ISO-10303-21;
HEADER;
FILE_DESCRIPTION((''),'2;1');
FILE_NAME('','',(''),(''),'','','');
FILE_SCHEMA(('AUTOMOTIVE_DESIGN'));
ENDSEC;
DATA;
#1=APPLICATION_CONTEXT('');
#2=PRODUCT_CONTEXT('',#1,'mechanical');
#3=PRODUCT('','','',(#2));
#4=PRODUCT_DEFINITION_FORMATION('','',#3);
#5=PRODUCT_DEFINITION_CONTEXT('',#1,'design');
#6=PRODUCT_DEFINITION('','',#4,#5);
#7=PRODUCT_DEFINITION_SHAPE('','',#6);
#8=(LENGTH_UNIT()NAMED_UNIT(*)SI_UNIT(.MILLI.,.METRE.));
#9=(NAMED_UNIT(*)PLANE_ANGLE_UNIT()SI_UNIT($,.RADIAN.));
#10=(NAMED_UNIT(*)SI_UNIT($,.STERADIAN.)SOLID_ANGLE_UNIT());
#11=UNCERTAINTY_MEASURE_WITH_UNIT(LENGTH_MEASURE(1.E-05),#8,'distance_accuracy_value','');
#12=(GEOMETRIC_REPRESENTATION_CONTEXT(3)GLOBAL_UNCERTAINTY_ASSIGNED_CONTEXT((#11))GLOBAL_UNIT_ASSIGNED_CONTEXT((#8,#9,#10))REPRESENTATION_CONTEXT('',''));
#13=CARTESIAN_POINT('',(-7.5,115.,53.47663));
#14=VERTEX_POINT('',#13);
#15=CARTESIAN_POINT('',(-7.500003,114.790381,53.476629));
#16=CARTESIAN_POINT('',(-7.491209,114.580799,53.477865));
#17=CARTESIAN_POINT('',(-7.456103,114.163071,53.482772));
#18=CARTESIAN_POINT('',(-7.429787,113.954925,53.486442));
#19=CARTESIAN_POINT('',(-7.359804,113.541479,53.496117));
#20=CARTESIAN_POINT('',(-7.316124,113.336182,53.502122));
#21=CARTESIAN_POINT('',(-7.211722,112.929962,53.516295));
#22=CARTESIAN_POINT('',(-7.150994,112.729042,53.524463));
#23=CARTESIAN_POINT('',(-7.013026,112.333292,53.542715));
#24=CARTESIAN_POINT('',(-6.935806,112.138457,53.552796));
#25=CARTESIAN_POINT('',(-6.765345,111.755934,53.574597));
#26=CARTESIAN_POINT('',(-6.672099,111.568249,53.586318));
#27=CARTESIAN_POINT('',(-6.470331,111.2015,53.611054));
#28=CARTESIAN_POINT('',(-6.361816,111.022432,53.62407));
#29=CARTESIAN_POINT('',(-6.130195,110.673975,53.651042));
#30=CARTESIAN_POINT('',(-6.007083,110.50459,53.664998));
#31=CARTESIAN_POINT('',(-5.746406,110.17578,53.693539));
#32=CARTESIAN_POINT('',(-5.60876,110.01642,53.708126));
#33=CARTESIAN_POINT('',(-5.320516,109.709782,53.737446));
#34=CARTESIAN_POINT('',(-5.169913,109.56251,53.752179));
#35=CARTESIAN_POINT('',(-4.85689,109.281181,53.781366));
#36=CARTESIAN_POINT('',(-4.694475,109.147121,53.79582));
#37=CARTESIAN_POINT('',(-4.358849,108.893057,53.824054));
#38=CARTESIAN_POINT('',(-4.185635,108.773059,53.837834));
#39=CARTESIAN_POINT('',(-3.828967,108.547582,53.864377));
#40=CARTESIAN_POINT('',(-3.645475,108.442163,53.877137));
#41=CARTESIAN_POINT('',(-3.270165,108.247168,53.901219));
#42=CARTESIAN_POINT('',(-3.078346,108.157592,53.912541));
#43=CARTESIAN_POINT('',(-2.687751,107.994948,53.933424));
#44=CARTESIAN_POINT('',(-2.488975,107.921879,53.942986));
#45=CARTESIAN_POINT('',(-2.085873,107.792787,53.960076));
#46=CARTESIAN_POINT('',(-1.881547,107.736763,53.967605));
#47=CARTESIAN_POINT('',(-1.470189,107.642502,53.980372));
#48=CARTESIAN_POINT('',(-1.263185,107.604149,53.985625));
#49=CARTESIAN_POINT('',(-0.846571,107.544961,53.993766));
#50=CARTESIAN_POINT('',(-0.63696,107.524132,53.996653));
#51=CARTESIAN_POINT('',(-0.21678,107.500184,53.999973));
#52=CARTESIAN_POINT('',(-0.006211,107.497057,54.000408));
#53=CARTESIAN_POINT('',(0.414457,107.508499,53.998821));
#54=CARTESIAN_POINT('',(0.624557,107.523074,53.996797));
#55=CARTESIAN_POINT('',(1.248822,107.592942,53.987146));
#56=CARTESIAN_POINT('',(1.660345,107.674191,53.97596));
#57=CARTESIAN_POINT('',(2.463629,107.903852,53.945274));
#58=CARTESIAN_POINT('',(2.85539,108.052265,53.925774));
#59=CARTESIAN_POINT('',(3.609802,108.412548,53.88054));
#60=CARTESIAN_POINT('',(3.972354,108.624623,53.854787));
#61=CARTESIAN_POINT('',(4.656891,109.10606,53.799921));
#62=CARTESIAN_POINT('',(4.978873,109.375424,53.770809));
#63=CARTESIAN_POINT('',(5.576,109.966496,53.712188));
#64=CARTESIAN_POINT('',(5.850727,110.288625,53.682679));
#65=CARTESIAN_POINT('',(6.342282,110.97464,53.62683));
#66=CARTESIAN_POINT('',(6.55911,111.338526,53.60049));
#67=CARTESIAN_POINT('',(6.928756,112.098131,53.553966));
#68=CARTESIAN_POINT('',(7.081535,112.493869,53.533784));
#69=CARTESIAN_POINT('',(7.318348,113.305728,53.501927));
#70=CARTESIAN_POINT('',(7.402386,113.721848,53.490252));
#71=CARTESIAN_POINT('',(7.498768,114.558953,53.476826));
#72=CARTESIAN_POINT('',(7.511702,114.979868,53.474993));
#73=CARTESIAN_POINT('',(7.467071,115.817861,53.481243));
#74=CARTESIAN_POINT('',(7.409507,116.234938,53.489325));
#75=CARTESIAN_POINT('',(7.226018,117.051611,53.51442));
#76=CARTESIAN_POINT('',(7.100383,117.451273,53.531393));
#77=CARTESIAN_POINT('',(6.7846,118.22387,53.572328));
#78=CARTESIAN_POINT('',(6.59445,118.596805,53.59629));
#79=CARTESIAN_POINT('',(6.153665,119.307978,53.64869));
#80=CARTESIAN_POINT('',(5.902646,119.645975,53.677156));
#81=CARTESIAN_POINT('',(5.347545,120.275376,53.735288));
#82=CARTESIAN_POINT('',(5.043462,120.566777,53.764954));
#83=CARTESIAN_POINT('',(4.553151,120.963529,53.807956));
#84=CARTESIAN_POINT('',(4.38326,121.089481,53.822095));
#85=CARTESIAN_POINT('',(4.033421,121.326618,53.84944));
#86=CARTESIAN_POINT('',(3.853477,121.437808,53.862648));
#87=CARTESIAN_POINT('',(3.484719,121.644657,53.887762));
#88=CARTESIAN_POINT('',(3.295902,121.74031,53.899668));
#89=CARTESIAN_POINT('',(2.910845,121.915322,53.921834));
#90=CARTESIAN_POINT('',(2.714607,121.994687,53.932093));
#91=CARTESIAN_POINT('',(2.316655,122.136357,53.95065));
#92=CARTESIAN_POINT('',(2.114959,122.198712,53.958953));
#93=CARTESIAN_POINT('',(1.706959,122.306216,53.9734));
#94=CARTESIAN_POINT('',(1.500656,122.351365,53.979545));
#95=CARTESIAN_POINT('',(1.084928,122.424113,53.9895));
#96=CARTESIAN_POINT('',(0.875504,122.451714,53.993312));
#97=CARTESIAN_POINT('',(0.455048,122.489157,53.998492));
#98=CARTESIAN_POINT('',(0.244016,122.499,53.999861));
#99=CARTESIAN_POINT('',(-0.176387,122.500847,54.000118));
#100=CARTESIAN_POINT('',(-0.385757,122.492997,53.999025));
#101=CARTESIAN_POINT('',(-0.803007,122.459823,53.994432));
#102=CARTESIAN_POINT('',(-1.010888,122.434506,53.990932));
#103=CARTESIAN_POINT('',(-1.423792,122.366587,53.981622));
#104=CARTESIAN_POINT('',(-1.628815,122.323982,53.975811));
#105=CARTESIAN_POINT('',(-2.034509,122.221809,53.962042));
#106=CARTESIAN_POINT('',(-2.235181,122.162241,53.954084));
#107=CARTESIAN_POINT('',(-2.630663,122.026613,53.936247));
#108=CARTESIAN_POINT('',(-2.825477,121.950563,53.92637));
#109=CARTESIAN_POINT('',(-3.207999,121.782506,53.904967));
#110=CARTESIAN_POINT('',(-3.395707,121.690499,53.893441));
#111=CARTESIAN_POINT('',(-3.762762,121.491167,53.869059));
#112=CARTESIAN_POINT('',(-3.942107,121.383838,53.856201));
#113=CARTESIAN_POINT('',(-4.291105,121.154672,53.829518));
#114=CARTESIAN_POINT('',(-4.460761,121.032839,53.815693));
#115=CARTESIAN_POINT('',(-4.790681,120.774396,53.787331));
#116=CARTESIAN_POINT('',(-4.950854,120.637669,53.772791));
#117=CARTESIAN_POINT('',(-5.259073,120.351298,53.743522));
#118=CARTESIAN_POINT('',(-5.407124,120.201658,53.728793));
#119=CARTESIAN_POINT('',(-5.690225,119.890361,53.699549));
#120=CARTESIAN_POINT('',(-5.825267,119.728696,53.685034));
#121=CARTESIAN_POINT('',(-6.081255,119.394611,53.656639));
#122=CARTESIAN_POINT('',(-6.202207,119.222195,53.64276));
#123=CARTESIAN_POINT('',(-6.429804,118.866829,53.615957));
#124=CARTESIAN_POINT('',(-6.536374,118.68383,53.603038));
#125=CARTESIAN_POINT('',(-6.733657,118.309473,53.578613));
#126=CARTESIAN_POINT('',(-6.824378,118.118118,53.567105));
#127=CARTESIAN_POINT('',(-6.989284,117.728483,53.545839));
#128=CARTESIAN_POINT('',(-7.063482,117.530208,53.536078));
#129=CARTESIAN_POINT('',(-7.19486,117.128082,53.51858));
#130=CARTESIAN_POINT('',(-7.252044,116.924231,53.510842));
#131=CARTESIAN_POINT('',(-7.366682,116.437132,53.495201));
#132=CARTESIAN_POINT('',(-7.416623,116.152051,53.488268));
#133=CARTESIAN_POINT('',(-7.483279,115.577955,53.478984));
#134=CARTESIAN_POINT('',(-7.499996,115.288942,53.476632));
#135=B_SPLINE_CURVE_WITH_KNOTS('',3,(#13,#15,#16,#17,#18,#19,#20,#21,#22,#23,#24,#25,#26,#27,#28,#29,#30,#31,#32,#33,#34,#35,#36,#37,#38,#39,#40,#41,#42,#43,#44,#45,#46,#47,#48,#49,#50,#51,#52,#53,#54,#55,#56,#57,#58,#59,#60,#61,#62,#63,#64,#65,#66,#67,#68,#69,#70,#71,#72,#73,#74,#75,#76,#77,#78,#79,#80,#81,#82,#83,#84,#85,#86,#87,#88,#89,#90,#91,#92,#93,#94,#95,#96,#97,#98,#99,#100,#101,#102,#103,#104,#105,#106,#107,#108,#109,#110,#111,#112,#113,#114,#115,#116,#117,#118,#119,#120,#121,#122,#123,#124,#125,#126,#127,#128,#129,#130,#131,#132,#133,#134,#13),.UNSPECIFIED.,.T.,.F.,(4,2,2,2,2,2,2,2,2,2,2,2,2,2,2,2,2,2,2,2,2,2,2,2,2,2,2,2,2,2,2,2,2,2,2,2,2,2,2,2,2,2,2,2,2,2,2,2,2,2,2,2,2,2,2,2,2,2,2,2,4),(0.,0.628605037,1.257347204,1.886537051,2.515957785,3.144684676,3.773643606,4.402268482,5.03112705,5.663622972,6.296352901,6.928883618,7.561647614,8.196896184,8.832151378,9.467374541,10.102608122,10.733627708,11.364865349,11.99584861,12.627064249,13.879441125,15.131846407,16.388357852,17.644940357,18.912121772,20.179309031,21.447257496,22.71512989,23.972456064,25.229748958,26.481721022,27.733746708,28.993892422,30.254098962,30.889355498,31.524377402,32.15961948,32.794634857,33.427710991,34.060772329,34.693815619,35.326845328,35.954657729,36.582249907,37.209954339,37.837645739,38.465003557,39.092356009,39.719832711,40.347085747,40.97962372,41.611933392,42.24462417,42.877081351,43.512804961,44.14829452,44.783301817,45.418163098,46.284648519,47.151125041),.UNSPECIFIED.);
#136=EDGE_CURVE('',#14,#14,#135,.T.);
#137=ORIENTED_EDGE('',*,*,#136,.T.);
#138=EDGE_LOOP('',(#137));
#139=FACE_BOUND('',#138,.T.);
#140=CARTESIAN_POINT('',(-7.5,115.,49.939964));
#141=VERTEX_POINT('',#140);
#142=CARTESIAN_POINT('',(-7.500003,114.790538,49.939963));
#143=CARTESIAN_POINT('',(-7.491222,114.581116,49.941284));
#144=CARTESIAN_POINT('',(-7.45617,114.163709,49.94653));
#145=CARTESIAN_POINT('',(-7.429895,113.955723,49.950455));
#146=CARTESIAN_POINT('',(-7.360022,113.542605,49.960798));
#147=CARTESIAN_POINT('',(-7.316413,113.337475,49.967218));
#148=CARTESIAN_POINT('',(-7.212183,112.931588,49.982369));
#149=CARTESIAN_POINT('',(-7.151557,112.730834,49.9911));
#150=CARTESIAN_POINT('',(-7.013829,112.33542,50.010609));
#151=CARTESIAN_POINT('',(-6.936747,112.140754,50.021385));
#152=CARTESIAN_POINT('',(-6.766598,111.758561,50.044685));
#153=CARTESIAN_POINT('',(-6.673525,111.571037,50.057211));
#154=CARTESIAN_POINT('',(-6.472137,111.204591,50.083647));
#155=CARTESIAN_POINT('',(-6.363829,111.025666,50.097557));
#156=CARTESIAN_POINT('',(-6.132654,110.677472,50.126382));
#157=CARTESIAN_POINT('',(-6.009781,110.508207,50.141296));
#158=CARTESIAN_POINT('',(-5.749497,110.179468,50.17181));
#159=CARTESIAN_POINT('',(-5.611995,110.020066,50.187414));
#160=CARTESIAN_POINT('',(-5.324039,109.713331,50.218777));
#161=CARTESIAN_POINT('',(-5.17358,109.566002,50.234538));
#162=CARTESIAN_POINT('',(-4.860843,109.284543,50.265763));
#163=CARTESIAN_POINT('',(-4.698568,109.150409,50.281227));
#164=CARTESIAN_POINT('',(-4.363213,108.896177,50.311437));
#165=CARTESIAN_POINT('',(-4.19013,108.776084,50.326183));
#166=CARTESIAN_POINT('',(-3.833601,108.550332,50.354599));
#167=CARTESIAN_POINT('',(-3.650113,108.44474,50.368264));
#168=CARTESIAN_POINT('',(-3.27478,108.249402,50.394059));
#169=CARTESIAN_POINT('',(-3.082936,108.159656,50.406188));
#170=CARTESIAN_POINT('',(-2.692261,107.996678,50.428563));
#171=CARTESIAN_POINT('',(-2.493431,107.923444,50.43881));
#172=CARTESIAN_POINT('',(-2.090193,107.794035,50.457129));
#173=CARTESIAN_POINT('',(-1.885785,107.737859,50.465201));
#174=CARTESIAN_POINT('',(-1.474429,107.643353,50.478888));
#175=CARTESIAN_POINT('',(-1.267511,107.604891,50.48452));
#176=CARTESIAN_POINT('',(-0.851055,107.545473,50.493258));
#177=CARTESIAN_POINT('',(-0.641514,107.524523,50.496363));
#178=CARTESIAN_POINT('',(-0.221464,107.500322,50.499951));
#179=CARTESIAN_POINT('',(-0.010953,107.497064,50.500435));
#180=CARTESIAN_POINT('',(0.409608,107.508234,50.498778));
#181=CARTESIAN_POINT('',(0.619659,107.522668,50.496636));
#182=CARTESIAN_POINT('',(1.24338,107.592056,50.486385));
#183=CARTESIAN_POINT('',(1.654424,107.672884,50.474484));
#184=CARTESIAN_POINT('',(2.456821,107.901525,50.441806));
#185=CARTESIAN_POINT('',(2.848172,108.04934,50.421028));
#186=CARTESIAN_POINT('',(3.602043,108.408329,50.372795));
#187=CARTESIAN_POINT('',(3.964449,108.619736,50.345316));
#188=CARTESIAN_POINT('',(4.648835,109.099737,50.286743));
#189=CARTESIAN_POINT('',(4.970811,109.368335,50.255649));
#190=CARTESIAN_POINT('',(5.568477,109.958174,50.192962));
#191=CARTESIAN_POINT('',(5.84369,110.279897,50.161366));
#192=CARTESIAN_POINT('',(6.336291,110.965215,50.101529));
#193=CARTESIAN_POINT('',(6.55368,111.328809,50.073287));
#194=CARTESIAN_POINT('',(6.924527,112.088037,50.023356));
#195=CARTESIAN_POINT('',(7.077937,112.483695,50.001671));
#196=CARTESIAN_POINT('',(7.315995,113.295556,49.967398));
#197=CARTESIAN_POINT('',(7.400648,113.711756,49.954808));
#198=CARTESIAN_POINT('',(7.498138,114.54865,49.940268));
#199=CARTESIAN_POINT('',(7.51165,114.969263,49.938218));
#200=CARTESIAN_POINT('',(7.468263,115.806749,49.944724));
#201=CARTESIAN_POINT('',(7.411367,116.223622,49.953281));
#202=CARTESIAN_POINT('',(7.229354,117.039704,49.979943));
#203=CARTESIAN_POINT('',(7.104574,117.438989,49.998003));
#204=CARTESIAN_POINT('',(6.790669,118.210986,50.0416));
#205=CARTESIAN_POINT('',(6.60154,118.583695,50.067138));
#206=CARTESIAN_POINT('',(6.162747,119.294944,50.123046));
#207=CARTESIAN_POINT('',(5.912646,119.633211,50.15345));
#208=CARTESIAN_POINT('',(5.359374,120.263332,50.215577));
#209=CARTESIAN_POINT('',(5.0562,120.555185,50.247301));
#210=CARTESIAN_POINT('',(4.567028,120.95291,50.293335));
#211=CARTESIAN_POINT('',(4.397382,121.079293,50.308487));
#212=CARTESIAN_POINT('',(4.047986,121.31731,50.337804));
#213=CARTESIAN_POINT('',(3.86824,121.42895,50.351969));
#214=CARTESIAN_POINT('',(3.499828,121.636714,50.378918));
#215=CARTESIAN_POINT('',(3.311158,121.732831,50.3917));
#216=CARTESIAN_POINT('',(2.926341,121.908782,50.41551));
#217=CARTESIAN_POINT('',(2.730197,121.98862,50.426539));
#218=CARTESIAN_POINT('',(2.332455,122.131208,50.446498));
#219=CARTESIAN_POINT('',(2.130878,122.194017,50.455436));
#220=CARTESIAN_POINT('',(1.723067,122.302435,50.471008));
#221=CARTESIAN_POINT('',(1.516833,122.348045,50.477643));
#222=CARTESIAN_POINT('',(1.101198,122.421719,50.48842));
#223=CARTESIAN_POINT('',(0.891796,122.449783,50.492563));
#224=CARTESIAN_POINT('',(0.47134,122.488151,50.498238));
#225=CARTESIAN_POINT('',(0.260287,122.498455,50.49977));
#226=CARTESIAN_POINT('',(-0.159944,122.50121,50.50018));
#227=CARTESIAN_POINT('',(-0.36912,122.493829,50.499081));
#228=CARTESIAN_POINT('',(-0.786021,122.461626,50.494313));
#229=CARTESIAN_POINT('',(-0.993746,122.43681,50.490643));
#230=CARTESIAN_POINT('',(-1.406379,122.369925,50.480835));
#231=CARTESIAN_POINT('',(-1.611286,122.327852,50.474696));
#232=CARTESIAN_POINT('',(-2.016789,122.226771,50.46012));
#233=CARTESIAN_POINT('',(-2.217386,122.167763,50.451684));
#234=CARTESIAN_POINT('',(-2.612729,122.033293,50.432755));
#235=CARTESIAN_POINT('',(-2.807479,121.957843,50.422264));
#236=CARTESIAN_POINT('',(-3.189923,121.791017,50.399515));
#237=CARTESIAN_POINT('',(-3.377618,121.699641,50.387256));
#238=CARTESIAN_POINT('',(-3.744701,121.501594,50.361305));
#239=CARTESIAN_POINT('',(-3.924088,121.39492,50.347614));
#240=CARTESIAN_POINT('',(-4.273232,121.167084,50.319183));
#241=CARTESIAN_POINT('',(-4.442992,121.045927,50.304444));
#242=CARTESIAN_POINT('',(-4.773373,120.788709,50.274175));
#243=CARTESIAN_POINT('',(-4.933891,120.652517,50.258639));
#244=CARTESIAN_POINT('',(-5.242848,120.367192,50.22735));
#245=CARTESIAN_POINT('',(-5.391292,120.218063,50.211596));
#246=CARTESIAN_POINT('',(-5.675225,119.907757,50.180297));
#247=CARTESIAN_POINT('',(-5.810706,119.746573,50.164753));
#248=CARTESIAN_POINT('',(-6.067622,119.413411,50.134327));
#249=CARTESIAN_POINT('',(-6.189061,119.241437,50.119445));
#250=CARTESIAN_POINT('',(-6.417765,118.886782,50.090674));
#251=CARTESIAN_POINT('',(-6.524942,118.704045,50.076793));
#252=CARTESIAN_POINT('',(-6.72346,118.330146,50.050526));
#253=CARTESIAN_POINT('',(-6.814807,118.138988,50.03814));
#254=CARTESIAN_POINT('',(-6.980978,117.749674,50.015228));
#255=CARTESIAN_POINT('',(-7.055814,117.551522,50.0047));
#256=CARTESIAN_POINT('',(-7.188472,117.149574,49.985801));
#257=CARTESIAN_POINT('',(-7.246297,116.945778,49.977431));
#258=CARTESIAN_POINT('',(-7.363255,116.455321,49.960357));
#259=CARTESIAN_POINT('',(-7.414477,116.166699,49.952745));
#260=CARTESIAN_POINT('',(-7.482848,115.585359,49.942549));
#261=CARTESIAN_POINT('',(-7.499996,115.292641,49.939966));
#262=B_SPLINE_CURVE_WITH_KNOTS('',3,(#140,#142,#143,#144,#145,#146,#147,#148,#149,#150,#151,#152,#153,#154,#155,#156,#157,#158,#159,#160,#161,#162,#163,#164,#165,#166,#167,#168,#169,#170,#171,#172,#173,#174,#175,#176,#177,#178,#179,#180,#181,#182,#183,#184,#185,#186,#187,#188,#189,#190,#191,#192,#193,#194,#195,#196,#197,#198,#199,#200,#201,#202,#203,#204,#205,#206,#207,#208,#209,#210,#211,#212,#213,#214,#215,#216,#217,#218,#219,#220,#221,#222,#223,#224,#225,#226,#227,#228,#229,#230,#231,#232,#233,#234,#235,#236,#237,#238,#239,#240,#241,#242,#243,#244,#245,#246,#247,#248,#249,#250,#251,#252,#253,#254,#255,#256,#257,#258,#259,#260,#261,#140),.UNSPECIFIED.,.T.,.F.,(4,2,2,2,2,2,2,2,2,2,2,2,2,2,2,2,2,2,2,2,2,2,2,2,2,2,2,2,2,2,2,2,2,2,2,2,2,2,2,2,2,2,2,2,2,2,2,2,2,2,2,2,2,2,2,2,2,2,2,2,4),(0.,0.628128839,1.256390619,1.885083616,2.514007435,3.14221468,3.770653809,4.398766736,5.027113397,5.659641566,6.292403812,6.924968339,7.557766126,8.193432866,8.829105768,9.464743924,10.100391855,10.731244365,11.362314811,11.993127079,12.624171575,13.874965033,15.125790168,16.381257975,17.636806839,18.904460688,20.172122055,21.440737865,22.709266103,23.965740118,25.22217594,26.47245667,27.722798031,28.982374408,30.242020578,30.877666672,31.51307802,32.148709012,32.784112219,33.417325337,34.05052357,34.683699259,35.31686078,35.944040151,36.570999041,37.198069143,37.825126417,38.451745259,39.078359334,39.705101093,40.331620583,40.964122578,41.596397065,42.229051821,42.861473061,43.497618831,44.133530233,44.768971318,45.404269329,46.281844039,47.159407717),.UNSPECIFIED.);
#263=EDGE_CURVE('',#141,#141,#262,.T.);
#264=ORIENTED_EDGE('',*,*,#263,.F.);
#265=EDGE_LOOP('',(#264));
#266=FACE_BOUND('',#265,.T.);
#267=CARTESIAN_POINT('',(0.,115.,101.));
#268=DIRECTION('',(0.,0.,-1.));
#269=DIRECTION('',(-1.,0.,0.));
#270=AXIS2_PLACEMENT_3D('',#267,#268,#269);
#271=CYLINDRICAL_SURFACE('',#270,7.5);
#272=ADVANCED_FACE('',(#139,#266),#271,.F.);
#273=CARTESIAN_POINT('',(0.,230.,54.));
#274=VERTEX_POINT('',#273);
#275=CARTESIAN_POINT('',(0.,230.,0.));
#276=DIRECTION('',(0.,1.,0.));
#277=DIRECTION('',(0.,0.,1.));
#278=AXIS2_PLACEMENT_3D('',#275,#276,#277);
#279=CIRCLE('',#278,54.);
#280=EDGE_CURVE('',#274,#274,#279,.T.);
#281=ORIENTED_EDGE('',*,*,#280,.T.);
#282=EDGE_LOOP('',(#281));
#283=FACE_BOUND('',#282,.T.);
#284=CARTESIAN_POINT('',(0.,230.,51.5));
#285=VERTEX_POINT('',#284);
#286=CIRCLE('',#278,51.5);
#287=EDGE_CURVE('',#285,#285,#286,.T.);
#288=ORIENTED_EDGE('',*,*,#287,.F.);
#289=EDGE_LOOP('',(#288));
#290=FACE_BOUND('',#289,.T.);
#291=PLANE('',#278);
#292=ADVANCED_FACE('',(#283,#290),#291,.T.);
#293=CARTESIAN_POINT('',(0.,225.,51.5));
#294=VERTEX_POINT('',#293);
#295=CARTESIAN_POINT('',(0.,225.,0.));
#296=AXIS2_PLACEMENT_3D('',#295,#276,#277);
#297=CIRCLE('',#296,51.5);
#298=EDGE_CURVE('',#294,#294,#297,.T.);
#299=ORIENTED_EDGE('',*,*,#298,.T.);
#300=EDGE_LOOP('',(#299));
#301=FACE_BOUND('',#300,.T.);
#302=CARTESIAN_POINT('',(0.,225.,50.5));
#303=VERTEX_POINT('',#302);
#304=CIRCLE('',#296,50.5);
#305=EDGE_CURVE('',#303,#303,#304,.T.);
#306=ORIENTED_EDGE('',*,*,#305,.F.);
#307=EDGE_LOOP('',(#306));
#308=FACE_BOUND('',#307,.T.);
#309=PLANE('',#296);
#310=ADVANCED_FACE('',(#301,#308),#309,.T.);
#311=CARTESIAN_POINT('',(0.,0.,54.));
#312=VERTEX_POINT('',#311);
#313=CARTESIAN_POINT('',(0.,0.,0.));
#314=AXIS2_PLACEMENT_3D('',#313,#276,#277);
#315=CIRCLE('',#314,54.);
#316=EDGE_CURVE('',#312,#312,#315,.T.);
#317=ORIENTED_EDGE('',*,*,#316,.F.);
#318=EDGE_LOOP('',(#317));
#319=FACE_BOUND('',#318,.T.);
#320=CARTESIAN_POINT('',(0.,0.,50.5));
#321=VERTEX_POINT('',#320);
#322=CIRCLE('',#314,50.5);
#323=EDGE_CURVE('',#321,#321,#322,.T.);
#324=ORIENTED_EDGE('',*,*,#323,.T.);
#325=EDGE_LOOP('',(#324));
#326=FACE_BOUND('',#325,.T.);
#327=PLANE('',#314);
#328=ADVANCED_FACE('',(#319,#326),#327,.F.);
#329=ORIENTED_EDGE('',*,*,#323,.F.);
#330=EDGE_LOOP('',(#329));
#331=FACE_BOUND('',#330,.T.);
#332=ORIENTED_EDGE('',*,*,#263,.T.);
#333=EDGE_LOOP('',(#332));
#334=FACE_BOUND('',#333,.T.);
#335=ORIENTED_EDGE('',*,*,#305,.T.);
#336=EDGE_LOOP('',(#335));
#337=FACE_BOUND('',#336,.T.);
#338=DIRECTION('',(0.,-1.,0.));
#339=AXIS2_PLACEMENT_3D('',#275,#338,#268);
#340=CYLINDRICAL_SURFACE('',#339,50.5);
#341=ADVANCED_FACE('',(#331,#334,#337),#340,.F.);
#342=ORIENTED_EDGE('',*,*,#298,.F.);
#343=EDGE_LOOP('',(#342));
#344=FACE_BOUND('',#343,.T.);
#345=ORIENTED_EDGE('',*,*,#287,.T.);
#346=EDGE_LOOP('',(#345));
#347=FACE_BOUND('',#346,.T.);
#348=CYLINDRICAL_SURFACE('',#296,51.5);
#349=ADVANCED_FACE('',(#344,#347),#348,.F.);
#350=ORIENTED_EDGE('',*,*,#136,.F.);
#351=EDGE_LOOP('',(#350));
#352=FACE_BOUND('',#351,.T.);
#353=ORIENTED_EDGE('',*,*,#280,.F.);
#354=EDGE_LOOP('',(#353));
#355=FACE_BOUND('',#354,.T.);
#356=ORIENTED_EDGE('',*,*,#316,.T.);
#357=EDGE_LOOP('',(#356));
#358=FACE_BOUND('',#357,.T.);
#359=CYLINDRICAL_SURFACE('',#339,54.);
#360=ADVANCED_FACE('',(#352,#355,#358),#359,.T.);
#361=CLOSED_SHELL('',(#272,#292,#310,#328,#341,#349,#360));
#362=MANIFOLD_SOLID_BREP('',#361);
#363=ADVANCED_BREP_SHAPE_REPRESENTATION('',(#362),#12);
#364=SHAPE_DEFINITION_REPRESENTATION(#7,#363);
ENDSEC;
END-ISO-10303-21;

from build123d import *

# Parameters (mm, degrees)
SKETCH_1_R          = 54
SKETCH_1_R_2        = 50.5
EXTRUDE_1_DEPTH     = 230
SKETCH_2_R          = 51.5
CUT_EXTRUDE_1_DEPTH = 5
SKETCH_3_R          = 7.5
CUT_EXTRUDE_2_DEPTH = 101


with BuildPart() as part:
    # Эскиз1 → Бобышка-Вытянуть1 (new body)
    with BuildSketch(Plane(origin=(0, 0, 0), x_dir=(1, 0, 0), z_dir=(0, 1, 0))):
        with Locations(Location((0, 0, 0), (0, 0, 270))):
            Circle(SKETCH_1_R)
        with Locations(Location((0, 0, 0), (0, 0, 270))):
            Circle(SKETCH_1_R_2, mode=Mode.SUBTRACT)
    extrude(amount=EXTRUDE_1_DEPTH)

    # Эскиз2 → Вырез-Вытянуть1 (cut)
    with BuildSketch(Plane(origin=(0, 230, 0), x_dir=(1, 0, 0), z_dir=(0, 1, 0))):
        with Locations(Location((0, 0, 0), (0, 0, 270))):
            Circle(SKETCH_2_R)
    extrude(amount=-CUT_EXTRUDE_1_DEPTH, mode=Mode.SUBTRACT)

    # Эскиз3 → Вырез-Вытянуть2 (cut)
    with BuildSketch(Plane.XY):
        with Locations(Location((0, 115, 0), (0, 0, 180))):
            Circle(SKETCH_3_R)
    extrude(amount=CUT_EXTRUDE_2_DEPTH, mode=Mode.SUBTRACT)


solid = part.part
